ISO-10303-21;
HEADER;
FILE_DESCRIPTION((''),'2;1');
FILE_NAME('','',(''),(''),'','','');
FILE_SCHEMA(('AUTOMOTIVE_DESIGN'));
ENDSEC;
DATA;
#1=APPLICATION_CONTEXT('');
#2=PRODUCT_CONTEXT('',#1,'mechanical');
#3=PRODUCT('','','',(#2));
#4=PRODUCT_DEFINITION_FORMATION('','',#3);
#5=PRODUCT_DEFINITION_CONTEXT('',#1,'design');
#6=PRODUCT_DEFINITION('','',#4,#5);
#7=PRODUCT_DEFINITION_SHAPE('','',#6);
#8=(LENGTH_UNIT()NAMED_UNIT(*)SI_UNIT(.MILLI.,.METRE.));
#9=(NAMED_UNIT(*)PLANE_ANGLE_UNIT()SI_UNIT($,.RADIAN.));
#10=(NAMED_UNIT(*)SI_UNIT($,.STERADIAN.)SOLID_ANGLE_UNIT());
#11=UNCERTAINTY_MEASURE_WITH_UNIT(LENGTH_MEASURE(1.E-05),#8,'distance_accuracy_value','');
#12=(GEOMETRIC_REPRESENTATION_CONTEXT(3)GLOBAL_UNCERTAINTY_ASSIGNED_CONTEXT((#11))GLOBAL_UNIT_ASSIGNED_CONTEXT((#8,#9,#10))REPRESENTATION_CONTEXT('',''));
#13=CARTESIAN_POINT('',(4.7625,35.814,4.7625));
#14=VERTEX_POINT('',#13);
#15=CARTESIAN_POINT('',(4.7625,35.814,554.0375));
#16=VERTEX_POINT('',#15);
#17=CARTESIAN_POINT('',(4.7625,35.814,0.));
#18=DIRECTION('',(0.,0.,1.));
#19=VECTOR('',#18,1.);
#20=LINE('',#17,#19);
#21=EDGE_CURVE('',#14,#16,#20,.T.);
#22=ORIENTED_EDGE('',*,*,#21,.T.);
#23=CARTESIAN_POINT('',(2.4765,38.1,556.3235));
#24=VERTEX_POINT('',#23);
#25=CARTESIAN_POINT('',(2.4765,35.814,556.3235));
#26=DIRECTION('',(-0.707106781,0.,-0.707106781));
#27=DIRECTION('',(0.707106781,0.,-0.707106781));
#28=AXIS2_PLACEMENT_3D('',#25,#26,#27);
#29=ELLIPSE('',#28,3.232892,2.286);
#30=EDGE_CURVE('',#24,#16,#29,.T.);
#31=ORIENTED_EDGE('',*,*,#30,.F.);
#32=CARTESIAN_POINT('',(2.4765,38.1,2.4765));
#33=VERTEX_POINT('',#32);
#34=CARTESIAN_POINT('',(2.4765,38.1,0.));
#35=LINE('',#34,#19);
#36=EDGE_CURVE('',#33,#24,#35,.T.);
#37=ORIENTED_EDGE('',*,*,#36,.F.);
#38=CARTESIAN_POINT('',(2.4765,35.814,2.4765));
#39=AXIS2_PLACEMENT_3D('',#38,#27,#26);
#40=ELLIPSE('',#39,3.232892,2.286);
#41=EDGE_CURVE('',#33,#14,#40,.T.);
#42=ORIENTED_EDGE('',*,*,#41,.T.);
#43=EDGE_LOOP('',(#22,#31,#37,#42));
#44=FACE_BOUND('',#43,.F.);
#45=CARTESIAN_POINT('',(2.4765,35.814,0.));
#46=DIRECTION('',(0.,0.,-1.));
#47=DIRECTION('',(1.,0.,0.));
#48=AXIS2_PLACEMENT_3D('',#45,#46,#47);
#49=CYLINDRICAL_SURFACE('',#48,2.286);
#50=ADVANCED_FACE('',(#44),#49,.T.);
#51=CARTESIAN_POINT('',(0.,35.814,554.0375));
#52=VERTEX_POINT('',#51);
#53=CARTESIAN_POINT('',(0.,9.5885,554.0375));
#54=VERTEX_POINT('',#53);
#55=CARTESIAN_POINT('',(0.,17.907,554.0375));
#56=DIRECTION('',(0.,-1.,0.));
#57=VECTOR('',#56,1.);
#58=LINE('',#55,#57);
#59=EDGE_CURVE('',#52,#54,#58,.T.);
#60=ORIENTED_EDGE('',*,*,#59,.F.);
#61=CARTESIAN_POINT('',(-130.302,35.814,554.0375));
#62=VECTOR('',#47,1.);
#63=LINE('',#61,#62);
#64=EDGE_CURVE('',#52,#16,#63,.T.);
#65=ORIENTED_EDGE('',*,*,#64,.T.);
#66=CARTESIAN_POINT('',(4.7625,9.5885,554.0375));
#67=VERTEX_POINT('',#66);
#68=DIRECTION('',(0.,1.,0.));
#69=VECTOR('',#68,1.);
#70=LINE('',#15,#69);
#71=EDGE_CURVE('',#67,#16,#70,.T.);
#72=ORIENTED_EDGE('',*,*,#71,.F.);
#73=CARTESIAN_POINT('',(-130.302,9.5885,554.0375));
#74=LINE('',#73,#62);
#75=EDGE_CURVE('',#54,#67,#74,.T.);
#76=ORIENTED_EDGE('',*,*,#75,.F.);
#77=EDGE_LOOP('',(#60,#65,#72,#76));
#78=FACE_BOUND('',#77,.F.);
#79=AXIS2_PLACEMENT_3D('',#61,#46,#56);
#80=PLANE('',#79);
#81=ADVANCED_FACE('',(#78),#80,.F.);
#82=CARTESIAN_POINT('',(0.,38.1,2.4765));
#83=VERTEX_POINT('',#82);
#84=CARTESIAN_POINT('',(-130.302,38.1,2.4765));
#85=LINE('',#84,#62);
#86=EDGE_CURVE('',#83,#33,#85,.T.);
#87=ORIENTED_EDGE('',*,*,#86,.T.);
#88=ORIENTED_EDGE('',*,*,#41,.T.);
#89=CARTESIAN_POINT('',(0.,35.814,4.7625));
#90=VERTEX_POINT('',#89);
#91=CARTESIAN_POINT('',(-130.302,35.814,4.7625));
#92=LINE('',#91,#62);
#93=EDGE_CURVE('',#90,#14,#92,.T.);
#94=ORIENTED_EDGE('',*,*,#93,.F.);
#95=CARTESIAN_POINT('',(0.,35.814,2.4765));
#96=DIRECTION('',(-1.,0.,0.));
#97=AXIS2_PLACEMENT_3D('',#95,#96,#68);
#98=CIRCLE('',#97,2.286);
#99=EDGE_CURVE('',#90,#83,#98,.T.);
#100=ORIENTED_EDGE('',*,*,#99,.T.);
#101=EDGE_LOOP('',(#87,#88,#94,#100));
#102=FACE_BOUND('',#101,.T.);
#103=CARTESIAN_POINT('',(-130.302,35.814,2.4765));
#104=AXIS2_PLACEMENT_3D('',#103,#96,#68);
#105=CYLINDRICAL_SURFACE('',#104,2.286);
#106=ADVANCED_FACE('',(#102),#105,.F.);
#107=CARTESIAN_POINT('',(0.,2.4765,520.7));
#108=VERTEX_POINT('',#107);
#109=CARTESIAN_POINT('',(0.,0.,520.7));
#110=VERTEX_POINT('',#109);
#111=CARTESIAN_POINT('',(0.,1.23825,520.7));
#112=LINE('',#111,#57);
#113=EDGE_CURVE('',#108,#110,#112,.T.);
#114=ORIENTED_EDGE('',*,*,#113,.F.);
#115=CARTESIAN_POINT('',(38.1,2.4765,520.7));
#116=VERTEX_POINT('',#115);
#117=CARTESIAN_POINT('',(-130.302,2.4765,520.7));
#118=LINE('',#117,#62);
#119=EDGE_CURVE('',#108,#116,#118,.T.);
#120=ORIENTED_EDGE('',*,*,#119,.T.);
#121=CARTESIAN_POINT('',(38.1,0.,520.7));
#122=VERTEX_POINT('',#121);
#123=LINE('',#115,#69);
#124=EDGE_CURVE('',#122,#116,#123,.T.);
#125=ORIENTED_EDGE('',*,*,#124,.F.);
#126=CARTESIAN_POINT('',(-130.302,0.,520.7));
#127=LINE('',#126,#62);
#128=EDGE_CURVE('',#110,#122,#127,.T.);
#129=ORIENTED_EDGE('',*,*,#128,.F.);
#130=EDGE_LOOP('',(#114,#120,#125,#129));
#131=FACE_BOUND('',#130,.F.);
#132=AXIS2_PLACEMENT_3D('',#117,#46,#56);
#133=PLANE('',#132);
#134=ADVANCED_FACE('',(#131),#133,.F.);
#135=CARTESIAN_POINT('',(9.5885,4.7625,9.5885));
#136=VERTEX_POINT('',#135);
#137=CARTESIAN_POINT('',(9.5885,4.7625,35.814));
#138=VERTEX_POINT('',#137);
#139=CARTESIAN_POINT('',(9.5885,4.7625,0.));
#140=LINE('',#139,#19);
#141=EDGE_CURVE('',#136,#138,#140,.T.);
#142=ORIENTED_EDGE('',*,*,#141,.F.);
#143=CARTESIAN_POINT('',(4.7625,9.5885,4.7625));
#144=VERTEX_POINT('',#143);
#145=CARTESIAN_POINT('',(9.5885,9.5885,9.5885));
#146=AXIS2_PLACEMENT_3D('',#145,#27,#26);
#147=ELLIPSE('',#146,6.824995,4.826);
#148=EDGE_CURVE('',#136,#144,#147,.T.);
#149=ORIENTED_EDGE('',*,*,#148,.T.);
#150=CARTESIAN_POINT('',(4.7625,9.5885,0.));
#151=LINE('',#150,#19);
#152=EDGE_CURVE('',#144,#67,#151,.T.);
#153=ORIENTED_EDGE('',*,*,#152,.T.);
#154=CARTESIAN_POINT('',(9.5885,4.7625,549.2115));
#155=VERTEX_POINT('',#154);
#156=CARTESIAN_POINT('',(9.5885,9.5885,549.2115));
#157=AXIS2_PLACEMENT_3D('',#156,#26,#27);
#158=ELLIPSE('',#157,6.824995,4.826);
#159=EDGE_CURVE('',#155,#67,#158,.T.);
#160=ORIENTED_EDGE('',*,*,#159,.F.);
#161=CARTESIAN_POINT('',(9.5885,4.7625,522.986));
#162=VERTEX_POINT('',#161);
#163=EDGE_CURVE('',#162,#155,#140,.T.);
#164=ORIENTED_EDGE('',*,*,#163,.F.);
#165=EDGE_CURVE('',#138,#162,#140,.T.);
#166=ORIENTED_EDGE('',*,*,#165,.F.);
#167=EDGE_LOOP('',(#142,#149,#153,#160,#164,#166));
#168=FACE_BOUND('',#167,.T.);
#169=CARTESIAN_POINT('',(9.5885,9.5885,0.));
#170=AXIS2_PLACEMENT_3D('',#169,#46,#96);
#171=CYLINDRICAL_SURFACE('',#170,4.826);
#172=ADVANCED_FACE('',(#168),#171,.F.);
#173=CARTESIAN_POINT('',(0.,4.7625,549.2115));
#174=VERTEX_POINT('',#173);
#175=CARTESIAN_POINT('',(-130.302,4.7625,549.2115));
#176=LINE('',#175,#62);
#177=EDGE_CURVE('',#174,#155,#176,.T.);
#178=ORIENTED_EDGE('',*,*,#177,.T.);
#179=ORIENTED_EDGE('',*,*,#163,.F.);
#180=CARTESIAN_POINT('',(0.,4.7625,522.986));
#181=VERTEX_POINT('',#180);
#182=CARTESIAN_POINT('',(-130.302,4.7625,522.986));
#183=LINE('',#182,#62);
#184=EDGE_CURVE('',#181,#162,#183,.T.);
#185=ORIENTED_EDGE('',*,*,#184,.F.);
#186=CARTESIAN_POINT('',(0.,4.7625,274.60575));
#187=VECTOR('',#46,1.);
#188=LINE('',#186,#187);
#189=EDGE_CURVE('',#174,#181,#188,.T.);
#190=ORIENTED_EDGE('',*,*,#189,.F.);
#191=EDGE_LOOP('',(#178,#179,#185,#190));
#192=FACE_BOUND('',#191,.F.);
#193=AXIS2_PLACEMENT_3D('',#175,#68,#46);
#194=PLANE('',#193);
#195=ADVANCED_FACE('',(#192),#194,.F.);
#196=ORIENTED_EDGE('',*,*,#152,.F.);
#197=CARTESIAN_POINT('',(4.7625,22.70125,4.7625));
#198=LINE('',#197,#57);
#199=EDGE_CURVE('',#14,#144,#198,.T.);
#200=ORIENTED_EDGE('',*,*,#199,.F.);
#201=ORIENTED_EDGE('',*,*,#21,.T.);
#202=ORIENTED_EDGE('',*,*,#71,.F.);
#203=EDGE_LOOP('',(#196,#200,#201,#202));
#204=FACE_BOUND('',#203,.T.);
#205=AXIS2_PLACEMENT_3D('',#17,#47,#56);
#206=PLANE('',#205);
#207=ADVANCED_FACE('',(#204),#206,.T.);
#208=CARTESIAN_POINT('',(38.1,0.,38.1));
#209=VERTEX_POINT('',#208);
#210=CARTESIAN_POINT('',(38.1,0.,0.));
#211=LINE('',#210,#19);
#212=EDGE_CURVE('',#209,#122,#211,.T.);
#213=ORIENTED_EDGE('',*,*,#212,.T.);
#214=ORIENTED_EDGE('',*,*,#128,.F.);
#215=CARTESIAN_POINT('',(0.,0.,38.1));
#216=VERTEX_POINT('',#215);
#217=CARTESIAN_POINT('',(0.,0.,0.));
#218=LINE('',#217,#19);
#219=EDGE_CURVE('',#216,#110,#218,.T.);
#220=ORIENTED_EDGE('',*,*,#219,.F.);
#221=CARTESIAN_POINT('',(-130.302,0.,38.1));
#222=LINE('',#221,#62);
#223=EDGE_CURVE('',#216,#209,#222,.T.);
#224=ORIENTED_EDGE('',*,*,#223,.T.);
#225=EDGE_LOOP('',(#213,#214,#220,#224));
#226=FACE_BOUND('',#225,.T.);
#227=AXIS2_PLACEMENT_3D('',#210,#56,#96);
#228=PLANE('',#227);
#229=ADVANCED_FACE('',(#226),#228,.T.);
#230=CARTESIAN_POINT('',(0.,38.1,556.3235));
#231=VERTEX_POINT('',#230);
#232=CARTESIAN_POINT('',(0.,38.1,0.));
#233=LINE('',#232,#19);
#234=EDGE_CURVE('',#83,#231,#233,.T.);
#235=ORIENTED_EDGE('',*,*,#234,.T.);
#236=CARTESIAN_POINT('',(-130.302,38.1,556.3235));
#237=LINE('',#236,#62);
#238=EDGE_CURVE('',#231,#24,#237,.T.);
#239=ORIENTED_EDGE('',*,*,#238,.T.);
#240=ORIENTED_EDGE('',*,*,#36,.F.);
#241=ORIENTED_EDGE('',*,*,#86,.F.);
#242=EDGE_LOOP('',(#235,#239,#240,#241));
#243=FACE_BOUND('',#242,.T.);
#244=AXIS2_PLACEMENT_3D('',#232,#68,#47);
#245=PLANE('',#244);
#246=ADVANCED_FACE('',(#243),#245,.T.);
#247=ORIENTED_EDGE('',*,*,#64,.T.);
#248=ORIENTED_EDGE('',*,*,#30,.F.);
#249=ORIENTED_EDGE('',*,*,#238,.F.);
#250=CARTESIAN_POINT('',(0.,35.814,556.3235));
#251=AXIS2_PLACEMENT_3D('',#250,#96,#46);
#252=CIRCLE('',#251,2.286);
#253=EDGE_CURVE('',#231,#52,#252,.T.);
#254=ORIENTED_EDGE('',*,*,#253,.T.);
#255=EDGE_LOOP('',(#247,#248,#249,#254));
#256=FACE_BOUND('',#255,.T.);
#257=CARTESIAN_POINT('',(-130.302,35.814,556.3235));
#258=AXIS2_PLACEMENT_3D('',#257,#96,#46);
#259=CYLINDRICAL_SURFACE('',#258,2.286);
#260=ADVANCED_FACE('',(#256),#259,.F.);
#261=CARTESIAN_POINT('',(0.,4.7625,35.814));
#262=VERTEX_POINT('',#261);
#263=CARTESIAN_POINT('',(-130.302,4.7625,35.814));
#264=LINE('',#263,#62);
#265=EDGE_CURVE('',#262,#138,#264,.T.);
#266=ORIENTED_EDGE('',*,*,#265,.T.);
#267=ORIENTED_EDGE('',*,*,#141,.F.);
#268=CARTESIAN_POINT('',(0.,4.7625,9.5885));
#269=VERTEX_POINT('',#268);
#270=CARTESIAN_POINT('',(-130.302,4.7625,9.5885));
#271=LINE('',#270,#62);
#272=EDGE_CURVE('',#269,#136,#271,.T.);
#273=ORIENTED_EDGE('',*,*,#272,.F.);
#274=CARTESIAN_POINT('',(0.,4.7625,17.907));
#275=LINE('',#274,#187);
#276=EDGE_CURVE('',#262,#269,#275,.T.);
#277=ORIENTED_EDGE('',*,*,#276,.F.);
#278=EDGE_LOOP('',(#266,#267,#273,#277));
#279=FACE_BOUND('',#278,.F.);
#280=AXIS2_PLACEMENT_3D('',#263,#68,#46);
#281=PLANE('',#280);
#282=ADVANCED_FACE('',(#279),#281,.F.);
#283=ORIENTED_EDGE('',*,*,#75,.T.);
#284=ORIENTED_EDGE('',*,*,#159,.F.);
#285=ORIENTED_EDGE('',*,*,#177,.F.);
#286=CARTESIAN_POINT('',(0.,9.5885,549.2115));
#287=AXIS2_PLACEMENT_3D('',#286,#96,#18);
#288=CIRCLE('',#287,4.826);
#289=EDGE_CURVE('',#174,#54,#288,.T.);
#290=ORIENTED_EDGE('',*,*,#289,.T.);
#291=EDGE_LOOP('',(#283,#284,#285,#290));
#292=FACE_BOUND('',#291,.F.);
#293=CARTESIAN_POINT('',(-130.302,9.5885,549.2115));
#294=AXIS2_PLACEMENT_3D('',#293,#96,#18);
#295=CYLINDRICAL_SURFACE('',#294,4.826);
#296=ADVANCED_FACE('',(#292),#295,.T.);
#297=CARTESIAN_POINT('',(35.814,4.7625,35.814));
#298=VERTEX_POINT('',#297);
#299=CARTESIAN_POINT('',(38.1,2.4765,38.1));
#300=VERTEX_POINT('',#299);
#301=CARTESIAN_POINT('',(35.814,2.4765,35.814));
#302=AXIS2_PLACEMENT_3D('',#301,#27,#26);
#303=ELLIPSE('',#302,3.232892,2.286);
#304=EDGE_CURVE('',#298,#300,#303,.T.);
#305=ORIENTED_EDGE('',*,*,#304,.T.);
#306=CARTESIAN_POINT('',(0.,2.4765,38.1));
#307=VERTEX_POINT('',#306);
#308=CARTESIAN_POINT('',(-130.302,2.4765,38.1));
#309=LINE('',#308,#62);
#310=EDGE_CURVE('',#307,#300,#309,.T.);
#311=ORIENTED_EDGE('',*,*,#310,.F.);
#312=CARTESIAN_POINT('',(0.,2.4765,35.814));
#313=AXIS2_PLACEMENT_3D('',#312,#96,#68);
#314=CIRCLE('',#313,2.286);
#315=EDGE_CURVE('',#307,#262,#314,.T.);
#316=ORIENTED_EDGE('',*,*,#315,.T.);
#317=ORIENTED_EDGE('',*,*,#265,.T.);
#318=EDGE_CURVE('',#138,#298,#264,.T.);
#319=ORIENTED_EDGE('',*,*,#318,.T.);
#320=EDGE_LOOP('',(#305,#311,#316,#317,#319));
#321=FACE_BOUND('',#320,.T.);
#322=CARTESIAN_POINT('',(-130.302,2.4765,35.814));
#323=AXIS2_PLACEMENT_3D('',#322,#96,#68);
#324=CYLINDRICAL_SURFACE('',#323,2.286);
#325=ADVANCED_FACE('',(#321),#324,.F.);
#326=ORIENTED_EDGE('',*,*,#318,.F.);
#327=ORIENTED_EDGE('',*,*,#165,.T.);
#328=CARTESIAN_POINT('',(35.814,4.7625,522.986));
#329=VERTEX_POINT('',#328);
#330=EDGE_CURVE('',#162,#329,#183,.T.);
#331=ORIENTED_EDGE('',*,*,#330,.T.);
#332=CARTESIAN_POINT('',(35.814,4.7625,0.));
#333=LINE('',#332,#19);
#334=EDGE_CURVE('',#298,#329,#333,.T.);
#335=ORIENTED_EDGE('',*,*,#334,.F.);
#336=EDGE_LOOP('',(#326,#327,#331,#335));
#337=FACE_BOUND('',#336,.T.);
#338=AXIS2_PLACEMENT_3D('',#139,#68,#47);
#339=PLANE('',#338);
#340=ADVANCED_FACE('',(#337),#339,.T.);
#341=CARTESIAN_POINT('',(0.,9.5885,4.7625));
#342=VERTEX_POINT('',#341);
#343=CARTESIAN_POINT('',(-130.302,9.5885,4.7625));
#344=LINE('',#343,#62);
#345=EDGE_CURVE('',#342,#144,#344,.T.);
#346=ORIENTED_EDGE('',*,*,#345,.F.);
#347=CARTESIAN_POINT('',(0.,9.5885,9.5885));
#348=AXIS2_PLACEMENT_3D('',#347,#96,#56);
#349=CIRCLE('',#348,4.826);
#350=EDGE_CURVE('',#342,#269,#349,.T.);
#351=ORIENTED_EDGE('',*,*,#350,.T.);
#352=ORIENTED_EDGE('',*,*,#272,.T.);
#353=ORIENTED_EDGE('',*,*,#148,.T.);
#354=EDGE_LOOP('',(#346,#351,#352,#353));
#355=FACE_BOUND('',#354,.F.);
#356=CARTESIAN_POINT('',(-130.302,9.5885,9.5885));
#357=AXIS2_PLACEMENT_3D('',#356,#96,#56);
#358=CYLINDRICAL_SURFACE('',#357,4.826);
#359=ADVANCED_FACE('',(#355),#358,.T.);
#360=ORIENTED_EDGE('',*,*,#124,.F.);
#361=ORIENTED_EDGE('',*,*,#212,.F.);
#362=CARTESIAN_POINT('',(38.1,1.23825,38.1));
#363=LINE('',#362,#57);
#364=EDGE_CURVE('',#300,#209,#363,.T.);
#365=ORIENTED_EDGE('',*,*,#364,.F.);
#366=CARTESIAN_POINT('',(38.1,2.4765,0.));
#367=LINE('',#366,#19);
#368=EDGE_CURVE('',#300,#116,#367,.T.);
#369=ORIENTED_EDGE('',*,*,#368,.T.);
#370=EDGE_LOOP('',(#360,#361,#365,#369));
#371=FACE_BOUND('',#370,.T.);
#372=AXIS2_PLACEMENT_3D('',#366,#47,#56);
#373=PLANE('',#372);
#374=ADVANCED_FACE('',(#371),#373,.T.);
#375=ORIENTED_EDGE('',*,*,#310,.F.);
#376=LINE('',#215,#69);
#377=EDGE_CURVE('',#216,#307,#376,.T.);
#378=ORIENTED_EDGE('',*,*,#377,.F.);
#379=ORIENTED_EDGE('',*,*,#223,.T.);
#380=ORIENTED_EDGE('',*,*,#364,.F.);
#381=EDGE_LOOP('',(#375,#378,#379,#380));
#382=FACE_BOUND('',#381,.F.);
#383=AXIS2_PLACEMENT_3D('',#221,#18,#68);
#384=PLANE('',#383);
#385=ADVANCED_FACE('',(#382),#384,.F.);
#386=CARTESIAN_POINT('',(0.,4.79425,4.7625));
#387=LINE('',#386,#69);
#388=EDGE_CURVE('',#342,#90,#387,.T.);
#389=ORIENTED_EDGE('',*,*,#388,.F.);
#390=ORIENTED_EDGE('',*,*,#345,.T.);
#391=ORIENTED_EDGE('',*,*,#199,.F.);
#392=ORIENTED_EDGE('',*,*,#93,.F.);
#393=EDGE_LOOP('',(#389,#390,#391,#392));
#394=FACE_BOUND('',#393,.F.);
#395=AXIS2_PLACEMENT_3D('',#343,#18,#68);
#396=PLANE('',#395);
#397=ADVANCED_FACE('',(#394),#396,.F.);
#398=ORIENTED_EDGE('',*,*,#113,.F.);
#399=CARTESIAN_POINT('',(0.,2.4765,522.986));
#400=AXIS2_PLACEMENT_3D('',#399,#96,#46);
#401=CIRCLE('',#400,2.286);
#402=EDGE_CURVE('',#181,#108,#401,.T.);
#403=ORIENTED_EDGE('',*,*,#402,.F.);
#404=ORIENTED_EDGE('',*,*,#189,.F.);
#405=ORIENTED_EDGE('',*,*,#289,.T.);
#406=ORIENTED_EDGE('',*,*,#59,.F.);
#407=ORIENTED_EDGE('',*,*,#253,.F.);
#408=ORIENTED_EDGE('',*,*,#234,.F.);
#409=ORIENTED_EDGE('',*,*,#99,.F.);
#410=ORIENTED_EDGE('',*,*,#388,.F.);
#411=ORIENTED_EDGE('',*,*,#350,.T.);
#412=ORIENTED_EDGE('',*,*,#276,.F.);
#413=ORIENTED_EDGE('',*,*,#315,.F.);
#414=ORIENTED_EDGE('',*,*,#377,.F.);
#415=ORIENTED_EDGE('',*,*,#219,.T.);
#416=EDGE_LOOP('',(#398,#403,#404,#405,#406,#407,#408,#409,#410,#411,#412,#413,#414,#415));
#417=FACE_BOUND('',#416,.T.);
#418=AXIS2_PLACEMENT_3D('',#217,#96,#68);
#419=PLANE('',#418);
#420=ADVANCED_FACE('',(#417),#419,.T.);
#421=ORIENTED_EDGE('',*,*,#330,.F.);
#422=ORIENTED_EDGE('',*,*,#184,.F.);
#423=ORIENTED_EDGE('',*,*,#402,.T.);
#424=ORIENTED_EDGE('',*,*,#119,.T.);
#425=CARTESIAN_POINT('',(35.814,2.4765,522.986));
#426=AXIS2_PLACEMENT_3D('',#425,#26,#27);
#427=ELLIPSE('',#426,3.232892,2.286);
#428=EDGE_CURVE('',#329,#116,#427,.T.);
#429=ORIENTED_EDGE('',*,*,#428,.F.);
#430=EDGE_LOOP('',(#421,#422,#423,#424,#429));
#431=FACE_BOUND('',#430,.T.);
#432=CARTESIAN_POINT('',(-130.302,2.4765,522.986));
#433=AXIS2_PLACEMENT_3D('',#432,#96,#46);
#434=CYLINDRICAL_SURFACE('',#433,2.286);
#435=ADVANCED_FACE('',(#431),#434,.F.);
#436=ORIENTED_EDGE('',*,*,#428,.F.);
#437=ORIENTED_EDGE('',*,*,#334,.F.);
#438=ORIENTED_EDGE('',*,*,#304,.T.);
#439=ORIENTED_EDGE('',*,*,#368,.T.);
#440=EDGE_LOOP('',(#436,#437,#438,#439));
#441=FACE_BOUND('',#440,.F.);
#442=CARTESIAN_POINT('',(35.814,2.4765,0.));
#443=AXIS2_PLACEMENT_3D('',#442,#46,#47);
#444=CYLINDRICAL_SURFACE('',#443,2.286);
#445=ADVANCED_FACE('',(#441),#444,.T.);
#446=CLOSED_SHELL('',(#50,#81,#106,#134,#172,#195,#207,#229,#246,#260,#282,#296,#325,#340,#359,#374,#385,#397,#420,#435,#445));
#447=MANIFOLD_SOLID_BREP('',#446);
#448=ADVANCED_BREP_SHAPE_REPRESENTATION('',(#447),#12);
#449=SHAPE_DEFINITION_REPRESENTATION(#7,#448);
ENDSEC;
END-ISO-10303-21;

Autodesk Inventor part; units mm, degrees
ref_plane "Start plane" through (0, 0, 0) normal (0, 0, 1) x (1, 0, 0)
ref_plane "End plane" through (0, 0, 558.8) normal (0, 0, 1) x (1, 0, 0)
sketch "Sketch" plane through (0, 0, 0) normal (0, 0, 1) x (1, 0, 0)
  line L0 (38.1, 0) -> (0, 0)
  line L1 (0, 0) -> (0, 38.1)
  line L2 (0, 38.1) -> (2.4765, 38.1)
  line L3 (4.7625, 35.814) -> (4.7625, 9.5885)
  line L4 (9.5885, 4.7625) -> (35.814, 4.7625)
  line L5 (38.1, 2.4765) -> (38.1, 0)
  line L6 (0, -11.0414) -> (0, 31.5385) construction
  line L7 (-11.0414, 0) -> (31.5385, 0) construction
  arc A0 (4.7625, 9.5885) -> (9.5885, 4.7625) centre (9.5885, 9.5885) ccw
  arc A1 (4.7625, 35.814) -> (2.4765, 38.1) centre (2.4765, 35.814) ccw
  arc A2 (38.1, 2.4765) -> (35.814, 4.7625) centre (35.814, 2.4765) ccw
  line L8 (0, 48.4964) -> (0, -20.9644) construction
  line L9 (-20.9644, 0) -> (48.4964, 0) construction
  point P0 (4.7625, 38.1)
  point P1 (4.7625, 4.7625)
  point P2 (38.1, 4.7625)
  dimension "d0" = 38.1
  dimension "d1" = 38.1
  dimension "d2" = 4.7625
  dimension "d3" = 4.7625
  dimension "d10" = 0
  dimension "d11" = 0
  dimension "d14" = 4.826
  dimension "d15" = 2.286
extrude "Body" add sketch "Sketch" along normal up to surface (558.8 mm away) from surface at 0
sketch "Sketch3" plane through (0, 0, 0) normal (0, 0, 1) x (1, 0, 0)
  line L0 (0, 0) -> (10, 0)
ref_plane "Work Plane3" through (0, 0, 0) normal (0, -1, 0) x (1, 0, 0)
sketch "Sketch4" plane through (0, 0, 0) normal (0, -1, 0) x (1, 0, 0)
  line L0 (-2, 0) -> (12, 0)
  line L1 (-2, 558.8) -> (12, 558.8)
  dimension "d17" = 558.8
ref_plane "Work Plane4" through (-130.302, 19.05, 558.8) normal (-0.7071, 0, -0.7071) x (-0.7071, 0, 0.7071)
ref_plane "Work Plane5" through (1101.598, 19.05, 558.8) normal (0.7071, 0, -0.7071) x (-0.7071, 0, -0.7071)
ref_plane "Work Plane6" through (485.648, 0, 558.8) normal (1, 0, 0) x (0, 0, -1)
sketch "Sketch5" plane through (485.648, 0, 558.8) normal (1, 0, 0) x (0, 0, -1)
  line L0 (38.1, 0) -> (0, 0)
  line L1 (0, 0) -> (0, 38.1)
  line L2 (0, 38.1) -> (2.4765, 38.1)
  arc A0 (4.7625, 35.814) -> (2.4765, 38.1) centre (2.4765, 35.814) ccw
  line L3 (4.7625, 35.814) -> (4.7625, 9.5885)
  arc A1 (4.7625, 9.5885) -> (9.5885, 4.7625) centre (9.5885, 9.5885) ccw
  line L4 (9.5885, 4.7625) -> (35.814, 4.7625)
  arc A2 (38.1, 2.4765) -> (35.814, 4.7625) centre (35.814, 2.4765) ccw
  line L5 (38.1, 2.4765) -> (38.1, 0)
extrude "Extrusion2" cut sketch "Sketch5" along normal up to surface from surface at -615.95 surface through (1101.598, 19.05, 558.8) normal (0.7071, 0, -0.7071)
ref_plane "Work Plane7" through (-130.302, 19.05, 0) normal (-0.7071, 0, 0.7071) x (0, 1, 0)
ref_plane "Work Plane8" through (1101.598, 19.05, 0) normal (0.7071, 0, 0.7071) x (0, 1, 0)
ref_plane "Work Plane9" through (485.648, 0, 0) normal (1, 0, 0) x (0, 1, 0)
sketch "Sketch6" plane through (485.648, 0, 0) normal (1, 0, 0) x (0, 1, 0)
  line L0 (38.1, 0) -> (0, 0)
  line L1 (0, 0) -> (0, 38.1)
  line L2 (0, 38.1) -> (2.4765, 38.1)
  arc A0 (4.7625, 35.814) -> (2.4765, 38.1) centre (2.4765, 35.814) ccw
  line L3 (4.7625, 35.814) -> (4.7625, 9.5885)
  arc A1 (4.7625, 9.5885) -> (9.5885, 4.7625) centre (9.5885, 9.5885) ccw
  line L4 (9.5885, 4.7625) -> (35.814, 4.7625)
  arc A2 (38.1, 2.4765) -> (35.814, 4.7625) centre (35.814, 2.4765) ccw
  line L5 (38.1, 2.4765) -> (38.1, 0)
extrude "Extrusion3" cut sketch "Sketch6" along normal up to surface from surface at -615.95 surface through (1101.598, 19.05, 0) normal (0.7071, 0, 0.7071)
equation "\"d0\" = G_H"
equation "\"d1\" = G_H"
equation "\"d2\" = G_T"
equation "\"d3\" = G_T"
equation "\"d14\" = G_IR"
equation "\"d15\" = G_ER"
equation "\"d4\" = G_L"
equation "\"G_H\" = 38.1"
equation "\"G_T\" = 4.7625"
equation "\"G_ER\" = 2.286"
equation "\"G_IR\" = 4.826"
equation "\"G_L\" = d17"
equation "\"ex\" = 0"
equation "\"G_OFFSET_START\" = 0"
equation "\"G_OFFSET_END\" = 0"
equation "\"d13\" = G_OFFSET_END + B_L"
equation "\"B_L\" = 558.8"
properties part number "AISC - L 1.5 x 1.5 x 3/16 - 22" material "Aluminum 6061"
